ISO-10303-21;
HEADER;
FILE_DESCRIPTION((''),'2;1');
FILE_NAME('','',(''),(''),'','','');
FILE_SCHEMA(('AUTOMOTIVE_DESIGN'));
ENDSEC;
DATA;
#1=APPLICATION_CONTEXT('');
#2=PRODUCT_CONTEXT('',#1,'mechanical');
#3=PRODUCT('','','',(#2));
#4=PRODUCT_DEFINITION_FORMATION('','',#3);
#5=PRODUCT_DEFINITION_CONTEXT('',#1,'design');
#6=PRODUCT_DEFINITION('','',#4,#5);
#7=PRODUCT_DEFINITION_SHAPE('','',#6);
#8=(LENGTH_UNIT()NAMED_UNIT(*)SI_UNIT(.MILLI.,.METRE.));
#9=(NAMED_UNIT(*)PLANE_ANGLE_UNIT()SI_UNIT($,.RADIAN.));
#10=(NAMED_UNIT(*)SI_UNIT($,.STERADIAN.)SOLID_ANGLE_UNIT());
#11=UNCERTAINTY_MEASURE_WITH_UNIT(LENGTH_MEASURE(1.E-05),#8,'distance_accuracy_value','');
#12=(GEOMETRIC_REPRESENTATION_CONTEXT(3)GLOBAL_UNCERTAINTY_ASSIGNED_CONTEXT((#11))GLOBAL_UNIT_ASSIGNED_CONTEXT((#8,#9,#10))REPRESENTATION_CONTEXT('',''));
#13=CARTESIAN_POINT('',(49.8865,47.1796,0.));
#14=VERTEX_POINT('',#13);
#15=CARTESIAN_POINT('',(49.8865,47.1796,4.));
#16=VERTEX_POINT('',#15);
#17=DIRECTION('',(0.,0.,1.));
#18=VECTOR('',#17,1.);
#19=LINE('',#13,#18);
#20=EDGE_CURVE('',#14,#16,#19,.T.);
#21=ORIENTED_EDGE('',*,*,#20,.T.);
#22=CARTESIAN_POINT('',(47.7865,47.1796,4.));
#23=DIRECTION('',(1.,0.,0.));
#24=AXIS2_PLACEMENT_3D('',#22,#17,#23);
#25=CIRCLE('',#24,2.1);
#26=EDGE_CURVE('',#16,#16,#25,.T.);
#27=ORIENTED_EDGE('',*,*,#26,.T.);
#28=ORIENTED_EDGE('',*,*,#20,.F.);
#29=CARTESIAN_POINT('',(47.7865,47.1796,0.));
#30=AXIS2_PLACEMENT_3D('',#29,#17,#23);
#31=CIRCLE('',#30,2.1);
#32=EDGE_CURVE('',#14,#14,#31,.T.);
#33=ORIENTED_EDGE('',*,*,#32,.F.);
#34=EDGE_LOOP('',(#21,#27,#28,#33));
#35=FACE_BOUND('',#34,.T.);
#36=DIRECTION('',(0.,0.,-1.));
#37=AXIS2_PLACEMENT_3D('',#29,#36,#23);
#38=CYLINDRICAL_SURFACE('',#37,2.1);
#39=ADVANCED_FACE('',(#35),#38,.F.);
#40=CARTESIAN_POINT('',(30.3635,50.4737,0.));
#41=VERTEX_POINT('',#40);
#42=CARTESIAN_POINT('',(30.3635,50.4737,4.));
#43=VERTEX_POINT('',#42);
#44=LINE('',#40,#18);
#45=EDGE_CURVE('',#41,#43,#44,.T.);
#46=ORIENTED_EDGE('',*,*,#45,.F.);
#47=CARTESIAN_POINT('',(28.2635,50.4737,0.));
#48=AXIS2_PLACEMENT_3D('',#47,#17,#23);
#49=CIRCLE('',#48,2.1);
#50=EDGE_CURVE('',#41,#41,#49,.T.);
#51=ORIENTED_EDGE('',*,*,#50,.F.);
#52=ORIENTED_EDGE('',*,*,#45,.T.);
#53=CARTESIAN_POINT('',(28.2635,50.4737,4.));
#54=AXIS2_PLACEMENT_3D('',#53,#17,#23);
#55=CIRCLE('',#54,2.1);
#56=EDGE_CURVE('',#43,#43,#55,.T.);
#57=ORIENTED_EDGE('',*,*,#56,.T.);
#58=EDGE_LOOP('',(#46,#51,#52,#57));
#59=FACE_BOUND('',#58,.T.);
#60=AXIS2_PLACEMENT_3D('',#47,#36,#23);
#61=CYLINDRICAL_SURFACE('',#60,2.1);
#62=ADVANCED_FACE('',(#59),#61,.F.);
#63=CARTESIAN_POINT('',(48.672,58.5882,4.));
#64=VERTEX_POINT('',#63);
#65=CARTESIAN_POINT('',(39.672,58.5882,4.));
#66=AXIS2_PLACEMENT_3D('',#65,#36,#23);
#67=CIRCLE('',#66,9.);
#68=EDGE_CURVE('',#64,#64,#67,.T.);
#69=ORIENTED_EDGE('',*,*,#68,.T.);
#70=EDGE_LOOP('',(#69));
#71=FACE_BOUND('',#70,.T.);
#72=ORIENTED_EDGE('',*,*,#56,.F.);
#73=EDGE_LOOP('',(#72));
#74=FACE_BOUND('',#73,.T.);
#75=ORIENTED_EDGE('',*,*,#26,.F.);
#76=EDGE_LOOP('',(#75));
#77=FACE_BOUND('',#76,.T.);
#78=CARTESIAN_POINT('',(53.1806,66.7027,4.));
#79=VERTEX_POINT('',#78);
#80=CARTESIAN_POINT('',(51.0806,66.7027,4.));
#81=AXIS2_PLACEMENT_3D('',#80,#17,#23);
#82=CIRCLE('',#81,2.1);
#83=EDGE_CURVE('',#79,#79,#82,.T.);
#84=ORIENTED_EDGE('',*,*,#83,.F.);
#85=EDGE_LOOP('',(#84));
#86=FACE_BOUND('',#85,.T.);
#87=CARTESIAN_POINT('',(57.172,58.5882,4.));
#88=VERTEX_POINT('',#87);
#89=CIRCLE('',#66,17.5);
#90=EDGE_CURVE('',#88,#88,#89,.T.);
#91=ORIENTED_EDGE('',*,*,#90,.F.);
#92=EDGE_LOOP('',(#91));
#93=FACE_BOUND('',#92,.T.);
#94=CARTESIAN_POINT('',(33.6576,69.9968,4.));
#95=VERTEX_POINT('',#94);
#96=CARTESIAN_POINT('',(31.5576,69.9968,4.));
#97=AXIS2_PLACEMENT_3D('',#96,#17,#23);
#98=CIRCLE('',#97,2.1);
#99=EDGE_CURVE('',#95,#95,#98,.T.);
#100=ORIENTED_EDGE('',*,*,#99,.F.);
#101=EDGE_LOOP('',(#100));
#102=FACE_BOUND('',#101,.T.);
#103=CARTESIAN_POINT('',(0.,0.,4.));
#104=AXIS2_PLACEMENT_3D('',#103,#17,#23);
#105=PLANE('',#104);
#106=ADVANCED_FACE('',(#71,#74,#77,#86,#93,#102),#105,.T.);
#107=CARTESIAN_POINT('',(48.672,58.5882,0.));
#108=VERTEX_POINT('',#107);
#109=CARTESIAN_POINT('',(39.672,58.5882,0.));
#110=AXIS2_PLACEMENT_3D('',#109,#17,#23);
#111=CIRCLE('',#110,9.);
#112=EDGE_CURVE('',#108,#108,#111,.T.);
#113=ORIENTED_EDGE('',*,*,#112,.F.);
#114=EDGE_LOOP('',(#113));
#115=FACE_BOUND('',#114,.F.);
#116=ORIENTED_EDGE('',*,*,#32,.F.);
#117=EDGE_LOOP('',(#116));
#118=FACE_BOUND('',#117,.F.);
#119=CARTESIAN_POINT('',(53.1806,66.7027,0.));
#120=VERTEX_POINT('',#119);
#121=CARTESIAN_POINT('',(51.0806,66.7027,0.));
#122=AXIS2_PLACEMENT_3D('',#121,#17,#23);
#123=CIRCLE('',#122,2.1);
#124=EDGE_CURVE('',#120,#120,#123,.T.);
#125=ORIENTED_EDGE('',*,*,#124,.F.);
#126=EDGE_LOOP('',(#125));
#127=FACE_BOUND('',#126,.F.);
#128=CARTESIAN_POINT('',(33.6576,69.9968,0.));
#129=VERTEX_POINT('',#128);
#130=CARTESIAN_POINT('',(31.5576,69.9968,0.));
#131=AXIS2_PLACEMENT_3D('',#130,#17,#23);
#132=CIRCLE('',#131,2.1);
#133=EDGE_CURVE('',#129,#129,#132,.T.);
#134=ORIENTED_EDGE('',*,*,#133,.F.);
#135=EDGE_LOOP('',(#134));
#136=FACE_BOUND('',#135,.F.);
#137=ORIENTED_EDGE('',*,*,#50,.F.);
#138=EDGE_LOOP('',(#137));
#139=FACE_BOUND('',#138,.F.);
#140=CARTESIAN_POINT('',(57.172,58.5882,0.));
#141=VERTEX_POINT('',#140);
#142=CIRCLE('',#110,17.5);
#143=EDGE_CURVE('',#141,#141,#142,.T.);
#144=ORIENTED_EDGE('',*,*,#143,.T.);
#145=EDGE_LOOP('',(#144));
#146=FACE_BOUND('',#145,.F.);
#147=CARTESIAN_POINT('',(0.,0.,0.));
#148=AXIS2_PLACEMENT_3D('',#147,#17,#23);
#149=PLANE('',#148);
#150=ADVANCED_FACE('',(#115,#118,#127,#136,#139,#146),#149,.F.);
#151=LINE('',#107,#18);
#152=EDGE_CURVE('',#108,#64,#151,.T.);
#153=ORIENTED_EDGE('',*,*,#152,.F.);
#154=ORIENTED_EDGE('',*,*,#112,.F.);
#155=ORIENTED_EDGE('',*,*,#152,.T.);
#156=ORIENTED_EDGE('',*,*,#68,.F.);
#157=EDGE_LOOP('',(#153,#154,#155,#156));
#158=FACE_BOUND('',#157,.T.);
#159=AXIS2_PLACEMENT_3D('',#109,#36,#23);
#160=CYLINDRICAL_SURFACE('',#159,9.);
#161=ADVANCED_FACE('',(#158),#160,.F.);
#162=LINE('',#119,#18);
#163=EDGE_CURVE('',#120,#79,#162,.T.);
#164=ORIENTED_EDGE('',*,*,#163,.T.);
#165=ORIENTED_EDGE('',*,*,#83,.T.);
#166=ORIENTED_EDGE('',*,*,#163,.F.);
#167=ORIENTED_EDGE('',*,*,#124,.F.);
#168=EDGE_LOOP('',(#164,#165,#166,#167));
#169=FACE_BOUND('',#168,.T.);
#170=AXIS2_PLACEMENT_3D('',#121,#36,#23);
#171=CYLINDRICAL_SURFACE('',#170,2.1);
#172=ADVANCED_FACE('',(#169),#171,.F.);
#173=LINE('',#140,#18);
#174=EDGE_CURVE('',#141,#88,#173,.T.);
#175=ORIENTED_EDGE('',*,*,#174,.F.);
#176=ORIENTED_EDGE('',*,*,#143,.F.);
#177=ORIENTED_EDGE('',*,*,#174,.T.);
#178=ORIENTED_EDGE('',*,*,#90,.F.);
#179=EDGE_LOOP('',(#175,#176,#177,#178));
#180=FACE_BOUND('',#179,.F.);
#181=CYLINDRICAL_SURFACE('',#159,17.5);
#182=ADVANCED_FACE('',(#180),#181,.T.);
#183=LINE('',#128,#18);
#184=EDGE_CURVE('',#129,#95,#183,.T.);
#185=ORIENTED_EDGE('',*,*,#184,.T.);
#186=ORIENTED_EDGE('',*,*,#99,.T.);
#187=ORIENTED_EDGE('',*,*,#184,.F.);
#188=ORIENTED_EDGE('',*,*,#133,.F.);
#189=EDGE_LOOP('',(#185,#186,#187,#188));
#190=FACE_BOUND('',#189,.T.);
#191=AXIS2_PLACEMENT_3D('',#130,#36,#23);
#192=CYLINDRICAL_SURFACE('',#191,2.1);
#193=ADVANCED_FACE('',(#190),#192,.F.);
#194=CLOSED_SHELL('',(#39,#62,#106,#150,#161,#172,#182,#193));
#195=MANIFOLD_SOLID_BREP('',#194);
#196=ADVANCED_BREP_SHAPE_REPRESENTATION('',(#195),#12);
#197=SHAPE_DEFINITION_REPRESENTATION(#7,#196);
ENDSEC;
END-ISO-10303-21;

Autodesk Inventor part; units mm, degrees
ref_plane "YZ Plane" through (0, 0, 0) normal (1, 0, 0) x (0, 1, 0)
ref_plane "XZ Plane" through (0, 0, 0) normal (0, 1, 0) x (-1, 0, 0)
ref_plane "XY Plane" through (0, 0, 0) normal (0, 0, 1) x (1, 0, 0)
sketch "スケッチ1" plane through (0, 0, 0) normal (0, 0, 1) x (1, 0, 0)
  circle A0 centre (-11.4931, -19.1593) radius 14 construction
  circle A1 centre (16.245, -15.3385) radius 14 construction
  line L0 (-170.915, -81.4118) -> (490.0044, -81.4118)
  line L1 (-197.2268, -33.1593) -> (179.6604, -33.1593) construction
  line L2 (-178.6504, 68.5882) -> (447.0756, 68.5882) construction
  circle A2 centre (-11.4931, -19.1593) radius 14 construction
  circle A3 centre (-21.8854, 6.8407) radius 14 construction
  circle A4 centre (-0.5211, 0.3031) radius 20.05 construction
  circle A5 centre (-0.5211, 0.3031) radius 22.3421 construction
  circle A6 centre (0, 0) radius 22.3421 construction
  circle A7 centre (-0.5211, 0.3031) radius 5.05 construction
  circle A8 centre (19.689, 29.6103) radius 30.55 construction
  circle A9 centre (19.689, 29.6103) radius 10.1 construction
  circle A10 centre (39.672, 58.5882) radius 25.1 construction
  line L3 (-0.5211, 0.3031) -> (39.672, 58.5882) construction
  circle A11 centre (19.689, 29.6103) radius 31.55 construction
  circle A12 centre (19.689, 29.6103) radius 12.1 construction
  circle A13 centre (-0.5211, 0.3031) radius 20.55 construction
  circle A14 centre (-0.5211, 0.3031) radius 6.05 construction
  circle A15 centre (36.8436, 61.4166) radius 4 construction
  circle A16 centre (36.8436, 61.4166) radius 2
  line L4 (36.8436, 61.4166) -> (39.672, 58.5882)
  line L5 (39.672, 58.5882) -> (22.909, 61.4166) construction
  circle A17 centre (22.909, 61.4166) radius 2
  circle A18 centre (22.909, 61.4166) radius 5
  line L6 (28.2635, 50.4737) -> (31.5576, 69.9968) construction
  line L7 (31.5576, 69.9968) -> (51.0806, 66.7027) construction
  line L8 (51.0806, 66.7027) -> (47.7865, 47.1796) construction
  line L9 (47.7865, 47.1796) -> (28.2635, 50.4737) construction
  circle A19 centre (39.672, 58.5882) radius 9
  circle A20 centre (28.2635, 50.4737) radius 2.5
  circle A21 centre (47.7865, 47.1796) radius 2.5
  circle A22 centre (51.0806, 66.7027) radius 2.5
  circle A23 centre (31.5576, 69.9968) radius 2.5
  circle A24 centre (28.2635, 50.4737) radius 5
  line L10 (22.909, 61.4166) -> (36.8436, 61.4166) construction
  line L11 (-26.0808, 51.4166) -> (-426.0808, 51.4166)
  line L12 (-26.0808, 24.4166) -> (23.9192, 24.4166)
  circle A25 centre (39.672, 58.5882) radius 17.5
  circle A26 centre (47.7865, 47.1796) radius 2.1
  circle A27 centre (28.2635, 50.4737) radius 2.1
  circle A28 centre (31.5576, 69.9968) radius 2.1
  circle A29 centre (51.0806, 66.7027) radius 2.1
  circle A30 centre (47.7865, 47.1796) radius 5
  circle A31 centre (31.5576, 69.9968) radius 5
  circle A32 centre (51.0806, 66.7027) radius 5
  circle A33 centre (39.672, 58.5882) radius 19.5
  circle A34 centre (39.672, 58.5882) radius 20.5
  line L13 (20.7504, 89.6882) -> (53.4998, 89.6882)
  line L14 (53.4998, 89.6882) -> (73.6516, 68.9857)
  line L15 (20.7504, 89.6882) -> (-13.977, 39.0272)
  circle A35 centre (-59.2702, 32.0272) radius 5.025 construction
  circle A36 centre (-59.2702, 32.0272) radius 4
  arc A37 (-59.2702, 39.0272) -> (-62.5897, 25.8643) centre (-59.2702, 32.0272) ccw
  line L16 (-59.2702, 39.0272) -> (-13.977, 39.0272)
  line L17 (-62.5897, 25.8643) -> (-36.5547, 11.8407)
  line L18 (-36.5547, 11.8407) -> (-36.5547, -33.1593)
  arc A38 (74.5655, 64.0796) -> (73.6516, 68.9857) centre (70.4271, 65.8469) ccw
  circle A39 centre (8.5193, 63.8863) radius 4.5 construction
  arc A40 (59.4085, 28.8085) -> (59.8353, 29.5856) centre (55.6969, 31.3528) ccw
  circle A41 centre (23.6647, -6.2198) radius 4.5
  circle A42 centre (-16.0241, 34.5272) radius 4.5 construction
  line L19 (59.8353, 29.5856) -> (74.5655, 64.0796)
  line L20 (32.172, 89.6882) -> (32.172, 92.6882)
  line L21 (32.172, 92.6882) -> (47.172, 92.6882)
  line L22 (47.172, 92.6882) -> (47.172, 89.6882)
  line L23 (35.172, 89.6882) -> (35.172, 86.6882)
  line L24 (35.172, 86.6882) -> (44.172, 86.6882)
  line L25 (44.172, 86.6882) -> (44.172, 89.6882)
  circle A43 centre (70.4271, 65.8469) radius 1.5
  circle A44 centre (55.6969, 31.3528) radius 1.5
  circle A45 centre (23.6647, -6.2198) radius 1.5
  circle A46 centre (-16.0241, 34.5272) radius 1.5
  circle A47 centre (8.5193, 63.8863) radius 1.5
  circle A48 centre (-10.0662, 20.4166) radius 4 construction
  circle A49 centre (-10.0662, 20.4166) radius 2
  line L26 (1.9305, -36.1593) -> (16.9305, -36.1593)
  line L27 (16.9305, -36.1593) -> (16.9305, -33.1593)
  line L28 (1.9305, -33.1593) -> (1.9305, -36.1593)
  arc A50 (1.9305, -33.1593) -> (-0.1695, -33.1593) centre (0.8805, -33.1593) ccw
  line L29 (13.9305, -30.1593) -> (13.9305, -33.1593)
  arc A51 (13.9305, -30.1593) -> (11.8305, -30.1593) centre (12.8805, -30.1593) ccw
  line L30 (7.0305, -30.1593) -> (11.8305, -30.1593)
  arc A52 (7.0305, -30.1593) -> (4.9305, -30.1593) centre (5.9805, -30.1593) ccw
  line L31 (4.9305, -33.1593) -> (4.9305, -30.1593)
  arc A53 (4.9305, -33.1593) -> (7.0305, -33.1593) centre (5.9805, -33.1593) ccw
  arc A54 (11.8305, -33.1593) -> (13.9305, -33.1593) centre (12.8805, -33.1593) ccw
  line L32 (-36.5547, -36.1593) -> (-21.5547, -36.1593)
  line L33 (-21.5547, -36.1593) -> (-21.5547, -33.1593)
  arc A55 (-19.4547, -33.1593) -> (-21.5547, -33.1593) centre (-20.5047, -33.1593) ccw
  line L34 (-36.5547, -33.1593) -> (-36.5547, -36.1593)
  arc A56 (-33.5547, -33.1593) -> (-31.4547, -33.1593) centre (-32.5047, -33.1593) ccw
  line L35 (-33.5547, -33.1593) -> (-33.5547, -30.1593)
  arc A57 (-31.4547, -30.1593) -> (-33.5547, -30.1593) centre (-32.5047, -30.1593) ccw
  line L36 (-31.4547, -30.1593) -> (-26.6547, -30.1593)
  arc A58 (-24.5547, -30.1593) -> (-26.6547, -30.1593) centre (-25.6047, -30.1593) ccw
  line L37 (-24.5547, -30.1593) -> (-24.5547, -33.1593)
  arc A59 (-26.6547, -33.1593) -> (-24.5547, -33.1593) centre (-25.6047, -33.1593) ccw
  line L38 (59.4085, 28.8085) -> (16.9305, -33.1593)
  circle A60 centre (-21.8854, 6.8407) radius 5
  circle A61 centre (-11.4931, -19.1593) radius 5
  line L39 (-31.4547, -33.1593) -> (-26.6547, -33.1593)
  line L40 (-19.4547, -33.1593) -> (-0.1695, -33.1593)
  line L41 (7.0305, -33.1593) -> (11.8305, -33.1593)
  line L42 (0.4485, -25.8914) -> (-27.1419, -10.3373) construction
  line L43 (-27.1419, -10.3373) -> (-17.3768, 21.5744) construction
  circle A62 centre (-21.8854, 6.8407) radius 8
  circle A63 centre (-11.4931, -19.1593) radius 8
  circle A64 centre (-19.5445, 14.4905) radius 1.3
  circle A65 centre (-24.2262, -0.8092) radius 1.3
  circle A66 centre (-18.4619, -15.2306) radius 1.3
  circle A67 centre (-4.5242, -23.088) radius 1.3
  circle A68 centre (-0.5211, 0.3031) radius 4.5
  circle A69 centre (19.689, 29.6103) radius 6
  arc A70 (87.3323, 12.0445) -> (87.1264, 18.8999) centre (85.1711, 15.4104) ccw
  line L44 (16.9305, -33.1593) -> (87.3323, 12.0445)
  line L45 (87.1264, 18.8999) -> (61.4227, 33.3027)
  circle A71 centre (85.1711, 15.4104) radius 2
  dimension "d0" = 150
  dimension "d1" = 28
  dimension "d2" = 28
  dimension "d3" = 40.1
  dimension "d4" = 10.1
  dimension "d5" = 61.1
  dimension "d6" = 20.2
  dimension "d7" = 50.2
  dimension "d8" = 10
  dimension "d9" = 2
  dimension "d10" = 1
  dimension "d11" = 2
  dimension "d12" = 0.5
  dimension "d13" = 1
  dimension "d14" = 40
  dimension "d15" = 8
  dimension "d16" = 4
  dimension "d17" = 4
  dimension "d18" = 45
  dimension "d19" = 17
  dimension "d20" = 4
  dimension "d21" = 3
  dimension "d22" = 1
  dimension "d23" = 5
  dimension "d24" = 5
  dimension "d25" = 5
  dimension "d26" = 5
  dimension "d27" = 10
  dimension "d28" = 400
  dimension "d29" = 10
  dimension "d30" = 50
  dimension "d31" = 50
  dimension "d32" = 27
  dimension "d33" = 27
  dimension "d34" = 35
  dimension "d35" = 4.2
  dimension "d36" = 4.2
  dimension "d37" = 4.2
  dimension "d38" = 4.2
  dimension "d39" = 10
  dimension "d40" = 10
  dimension "d41" = 10
  dimension "d42" = 2
  dimension "d43" = 1
  dimension "d44" = 8
  dimension "d45" = 3
  dimension "d46" = 4
  dimension "d47" = 9
  dimension "d48" = 9
  dimension "d49" = 9
  dimension "d50" = 9
  dimension "d51" = 9
  dimension "d52" = 3
  dimension "d53" = 15
  dimension "d54" = 3
  dimension "d55" = 9
  dimension "d56" = 3
  dimension "d57" = 7.5
  dimension "d58" = 3
  dimension "d59" = 3
  dimension "d60" = 3
  dimension "d61" = 3
  dimension "d62" = 3
  dimension "d63" = 8
extrude "押し出し1" add sketch "スケッチ1" along normal blind 4 contours A17 A25 | A17 A25 A18 | A25 A31 A19 A24 A18 | A25 A31 | A24 A25 | A25 A32 A19 A31 | A19 A30 A25 A24 | A25 A32 | A32 A25 A30 A19 | A30 A25 | A20 | A21 | A22 | A23 picked at (23.2356, 61.3111) picked at (31.8427, 73.6117) picked at (27.4228, 46.9526) picked at (51.9213, 70.2238) picked at (47.5014, 43.5647)
properties part number "横回転首振り最終段カム" material "アルミニウム 7075"
